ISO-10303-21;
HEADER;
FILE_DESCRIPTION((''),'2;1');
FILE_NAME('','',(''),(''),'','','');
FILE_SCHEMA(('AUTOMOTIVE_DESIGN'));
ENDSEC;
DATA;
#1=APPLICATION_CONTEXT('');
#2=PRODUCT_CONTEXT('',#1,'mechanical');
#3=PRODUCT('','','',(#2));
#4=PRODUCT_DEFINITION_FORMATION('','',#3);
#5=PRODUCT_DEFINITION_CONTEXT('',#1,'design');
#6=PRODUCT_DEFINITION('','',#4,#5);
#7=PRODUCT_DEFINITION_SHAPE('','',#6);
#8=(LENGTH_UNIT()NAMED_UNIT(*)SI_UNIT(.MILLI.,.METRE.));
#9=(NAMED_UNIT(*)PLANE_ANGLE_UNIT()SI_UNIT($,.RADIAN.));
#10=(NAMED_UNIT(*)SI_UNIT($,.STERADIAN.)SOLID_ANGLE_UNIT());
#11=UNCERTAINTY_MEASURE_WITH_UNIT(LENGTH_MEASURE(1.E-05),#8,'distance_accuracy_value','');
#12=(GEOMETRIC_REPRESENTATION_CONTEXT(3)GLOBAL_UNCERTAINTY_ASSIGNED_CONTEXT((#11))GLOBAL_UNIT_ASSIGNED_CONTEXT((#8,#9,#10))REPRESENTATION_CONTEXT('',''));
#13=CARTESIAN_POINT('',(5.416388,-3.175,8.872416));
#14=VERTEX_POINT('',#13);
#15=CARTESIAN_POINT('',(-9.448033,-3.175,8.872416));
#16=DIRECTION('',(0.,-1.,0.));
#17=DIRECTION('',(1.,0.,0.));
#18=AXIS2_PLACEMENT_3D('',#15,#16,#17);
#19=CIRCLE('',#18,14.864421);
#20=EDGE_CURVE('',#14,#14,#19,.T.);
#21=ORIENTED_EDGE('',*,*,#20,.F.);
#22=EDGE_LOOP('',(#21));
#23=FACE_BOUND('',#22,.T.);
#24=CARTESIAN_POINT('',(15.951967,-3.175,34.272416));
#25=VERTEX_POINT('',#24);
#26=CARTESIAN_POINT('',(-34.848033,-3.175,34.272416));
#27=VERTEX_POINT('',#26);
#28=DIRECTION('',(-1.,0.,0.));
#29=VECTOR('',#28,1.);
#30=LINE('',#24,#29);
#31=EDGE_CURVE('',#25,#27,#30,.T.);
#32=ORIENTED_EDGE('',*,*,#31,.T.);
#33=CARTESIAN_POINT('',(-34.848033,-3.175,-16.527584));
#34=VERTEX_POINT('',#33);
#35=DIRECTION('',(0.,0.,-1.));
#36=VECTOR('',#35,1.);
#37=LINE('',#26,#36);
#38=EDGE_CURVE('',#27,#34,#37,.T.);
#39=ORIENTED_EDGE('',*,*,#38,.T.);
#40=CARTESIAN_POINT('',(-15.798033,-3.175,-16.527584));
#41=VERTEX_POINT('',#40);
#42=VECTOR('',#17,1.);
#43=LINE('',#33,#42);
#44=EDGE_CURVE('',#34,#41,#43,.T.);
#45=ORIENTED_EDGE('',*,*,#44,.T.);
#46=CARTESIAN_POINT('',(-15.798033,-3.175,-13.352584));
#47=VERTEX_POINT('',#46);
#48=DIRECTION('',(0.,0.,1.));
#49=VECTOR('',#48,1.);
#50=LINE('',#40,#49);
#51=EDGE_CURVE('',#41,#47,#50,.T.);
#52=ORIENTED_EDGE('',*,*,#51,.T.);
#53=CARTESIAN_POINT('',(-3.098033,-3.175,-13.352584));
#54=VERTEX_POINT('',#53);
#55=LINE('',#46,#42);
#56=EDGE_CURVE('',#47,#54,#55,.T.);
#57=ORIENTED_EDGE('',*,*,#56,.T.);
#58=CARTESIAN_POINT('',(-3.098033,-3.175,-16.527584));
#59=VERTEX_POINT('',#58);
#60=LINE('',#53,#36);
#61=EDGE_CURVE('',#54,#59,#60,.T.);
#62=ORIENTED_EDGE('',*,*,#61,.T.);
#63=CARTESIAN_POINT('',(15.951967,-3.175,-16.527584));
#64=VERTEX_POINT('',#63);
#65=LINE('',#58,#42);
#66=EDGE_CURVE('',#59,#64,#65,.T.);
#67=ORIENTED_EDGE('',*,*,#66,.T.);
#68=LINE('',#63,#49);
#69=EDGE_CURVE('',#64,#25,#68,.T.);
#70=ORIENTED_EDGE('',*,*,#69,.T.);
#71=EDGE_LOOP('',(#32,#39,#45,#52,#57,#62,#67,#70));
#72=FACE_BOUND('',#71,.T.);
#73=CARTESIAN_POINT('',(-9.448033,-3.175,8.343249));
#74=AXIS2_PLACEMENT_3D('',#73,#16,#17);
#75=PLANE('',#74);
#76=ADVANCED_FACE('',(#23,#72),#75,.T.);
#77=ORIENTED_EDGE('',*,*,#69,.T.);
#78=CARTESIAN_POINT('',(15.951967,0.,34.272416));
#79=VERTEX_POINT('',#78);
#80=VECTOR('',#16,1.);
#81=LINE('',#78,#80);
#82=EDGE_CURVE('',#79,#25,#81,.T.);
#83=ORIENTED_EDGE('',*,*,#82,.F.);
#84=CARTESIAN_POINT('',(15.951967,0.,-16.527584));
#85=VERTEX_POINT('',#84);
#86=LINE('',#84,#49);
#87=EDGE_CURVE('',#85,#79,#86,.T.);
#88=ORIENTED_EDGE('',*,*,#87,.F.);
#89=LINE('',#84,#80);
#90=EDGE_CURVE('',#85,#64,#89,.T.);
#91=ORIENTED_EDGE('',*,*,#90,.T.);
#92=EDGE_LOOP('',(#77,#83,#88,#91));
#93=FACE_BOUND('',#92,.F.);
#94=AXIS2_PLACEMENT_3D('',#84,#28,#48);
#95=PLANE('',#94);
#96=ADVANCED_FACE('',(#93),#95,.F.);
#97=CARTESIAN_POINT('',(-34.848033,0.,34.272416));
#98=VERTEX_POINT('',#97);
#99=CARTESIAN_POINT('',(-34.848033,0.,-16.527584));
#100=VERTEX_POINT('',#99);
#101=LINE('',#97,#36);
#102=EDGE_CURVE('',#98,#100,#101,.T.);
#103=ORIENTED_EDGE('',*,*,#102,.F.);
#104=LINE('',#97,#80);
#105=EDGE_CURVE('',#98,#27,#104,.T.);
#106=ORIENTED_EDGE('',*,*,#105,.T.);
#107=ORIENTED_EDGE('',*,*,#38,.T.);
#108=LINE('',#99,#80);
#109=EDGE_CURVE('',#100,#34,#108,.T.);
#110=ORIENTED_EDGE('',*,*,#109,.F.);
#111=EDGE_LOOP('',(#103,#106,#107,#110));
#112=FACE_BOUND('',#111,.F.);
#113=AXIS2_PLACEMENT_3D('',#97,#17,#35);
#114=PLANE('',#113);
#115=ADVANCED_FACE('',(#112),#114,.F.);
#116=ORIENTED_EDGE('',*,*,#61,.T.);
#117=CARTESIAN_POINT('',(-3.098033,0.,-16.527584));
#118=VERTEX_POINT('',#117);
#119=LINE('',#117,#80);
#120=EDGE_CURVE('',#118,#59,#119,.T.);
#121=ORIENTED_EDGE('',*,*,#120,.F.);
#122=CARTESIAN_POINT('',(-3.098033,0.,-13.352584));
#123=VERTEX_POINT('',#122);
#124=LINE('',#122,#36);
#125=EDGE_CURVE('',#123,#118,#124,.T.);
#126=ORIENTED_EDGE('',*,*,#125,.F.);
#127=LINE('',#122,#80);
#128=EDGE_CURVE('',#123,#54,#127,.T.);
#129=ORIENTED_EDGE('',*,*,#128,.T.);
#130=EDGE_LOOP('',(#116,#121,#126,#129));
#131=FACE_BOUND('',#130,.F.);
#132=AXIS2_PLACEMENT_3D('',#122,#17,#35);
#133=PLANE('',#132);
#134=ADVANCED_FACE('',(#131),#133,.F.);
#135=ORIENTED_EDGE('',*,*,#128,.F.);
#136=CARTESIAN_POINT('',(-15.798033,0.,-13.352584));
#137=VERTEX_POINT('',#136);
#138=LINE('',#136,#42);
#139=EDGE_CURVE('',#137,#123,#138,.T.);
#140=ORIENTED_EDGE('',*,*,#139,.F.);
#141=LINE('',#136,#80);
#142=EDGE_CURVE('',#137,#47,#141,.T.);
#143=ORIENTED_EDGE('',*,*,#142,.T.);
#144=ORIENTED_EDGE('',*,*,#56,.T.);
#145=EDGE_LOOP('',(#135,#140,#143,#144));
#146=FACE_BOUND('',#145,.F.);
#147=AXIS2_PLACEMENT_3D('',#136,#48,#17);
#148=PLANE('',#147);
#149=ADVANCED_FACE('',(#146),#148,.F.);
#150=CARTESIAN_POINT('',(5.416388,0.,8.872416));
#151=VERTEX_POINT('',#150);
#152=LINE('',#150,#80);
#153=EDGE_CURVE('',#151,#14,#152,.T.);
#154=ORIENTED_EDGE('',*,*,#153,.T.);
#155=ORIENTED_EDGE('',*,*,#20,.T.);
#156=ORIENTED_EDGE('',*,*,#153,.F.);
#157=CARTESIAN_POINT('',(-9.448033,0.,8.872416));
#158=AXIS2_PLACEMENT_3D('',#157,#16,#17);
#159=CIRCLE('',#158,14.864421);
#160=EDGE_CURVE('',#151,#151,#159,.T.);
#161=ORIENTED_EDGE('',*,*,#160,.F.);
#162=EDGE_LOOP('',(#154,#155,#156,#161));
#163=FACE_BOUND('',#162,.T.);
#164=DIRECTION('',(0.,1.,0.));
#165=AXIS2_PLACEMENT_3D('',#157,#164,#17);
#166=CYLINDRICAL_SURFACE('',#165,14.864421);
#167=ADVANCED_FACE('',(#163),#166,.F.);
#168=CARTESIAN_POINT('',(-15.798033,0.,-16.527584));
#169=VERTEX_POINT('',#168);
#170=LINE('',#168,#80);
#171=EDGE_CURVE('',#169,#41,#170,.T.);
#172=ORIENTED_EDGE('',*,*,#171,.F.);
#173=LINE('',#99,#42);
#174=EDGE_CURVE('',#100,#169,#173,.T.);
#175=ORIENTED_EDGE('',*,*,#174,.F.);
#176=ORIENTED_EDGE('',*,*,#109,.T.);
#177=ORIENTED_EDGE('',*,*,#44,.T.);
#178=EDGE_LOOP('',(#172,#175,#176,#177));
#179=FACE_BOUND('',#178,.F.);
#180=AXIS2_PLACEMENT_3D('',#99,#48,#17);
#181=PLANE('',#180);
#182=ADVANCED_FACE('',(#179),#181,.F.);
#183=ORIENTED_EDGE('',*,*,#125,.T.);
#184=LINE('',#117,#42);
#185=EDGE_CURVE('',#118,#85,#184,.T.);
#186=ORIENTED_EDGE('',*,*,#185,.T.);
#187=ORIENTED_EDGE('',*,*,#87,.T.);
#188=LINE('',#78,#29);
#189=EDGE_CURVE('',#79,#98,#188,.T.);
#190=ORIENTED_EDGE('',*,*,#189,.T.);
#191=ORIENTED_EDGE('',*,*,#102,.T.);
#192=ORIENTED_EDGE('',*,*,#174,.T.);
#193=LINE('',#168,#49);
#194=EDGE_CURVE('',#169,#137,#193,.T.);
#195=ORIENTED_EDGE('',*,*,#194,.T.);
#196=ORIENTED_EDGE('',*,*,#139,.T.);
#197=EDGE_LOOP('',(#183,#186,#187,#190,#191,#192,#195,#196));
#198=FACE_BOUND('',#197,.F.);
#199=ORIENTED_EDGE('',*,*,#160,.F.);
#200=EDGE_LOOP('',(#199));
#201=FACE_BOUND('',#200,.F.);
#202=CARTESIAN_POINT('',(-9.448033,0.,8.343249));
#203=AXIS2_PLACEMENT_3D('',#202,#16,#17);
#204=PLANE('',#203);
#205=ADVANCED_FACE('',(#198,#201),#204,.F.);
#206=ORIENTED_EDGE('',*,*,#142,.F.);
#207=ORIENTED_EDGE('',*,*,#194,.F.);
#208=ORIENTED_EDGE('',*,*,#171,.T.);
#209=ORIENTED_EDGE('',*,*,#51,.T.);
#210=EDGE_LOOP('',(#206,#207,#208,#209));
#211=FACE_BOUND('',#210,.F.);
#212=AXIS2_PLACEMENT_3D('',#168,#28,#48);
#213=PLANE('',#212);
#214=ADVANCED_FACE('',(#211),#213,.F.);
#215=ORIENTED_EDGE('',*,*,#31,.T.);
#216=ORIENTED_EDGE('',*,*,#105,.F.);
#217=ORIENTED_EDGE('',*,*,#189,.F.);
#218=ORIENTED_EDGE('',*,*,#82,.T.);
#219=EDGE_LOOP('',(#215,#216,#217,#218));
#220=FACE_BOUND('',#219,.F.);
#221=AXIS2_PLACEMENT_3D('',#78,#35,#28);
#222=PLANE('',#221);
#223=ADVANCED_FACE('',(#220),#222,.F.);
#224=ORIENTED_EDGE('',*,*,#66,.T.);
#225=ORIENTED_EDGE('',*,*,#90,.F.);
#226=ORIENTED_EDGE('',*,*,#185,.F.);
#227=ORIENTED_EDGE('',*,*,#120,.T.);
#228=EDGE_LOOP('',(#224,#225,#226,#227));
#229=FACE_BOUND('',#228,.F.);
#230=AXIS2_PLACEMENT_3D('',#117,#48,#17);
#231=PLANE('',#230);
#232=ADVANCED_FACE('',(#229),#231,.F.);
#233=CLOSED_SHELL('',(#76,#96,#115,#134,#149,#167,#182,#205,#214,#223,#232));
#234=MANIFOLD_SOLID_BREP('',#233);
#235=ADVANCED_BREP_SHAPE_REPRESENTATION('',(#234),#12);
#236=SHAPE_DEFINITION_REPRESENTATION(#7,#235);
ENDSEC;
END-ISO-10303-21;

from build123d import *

# Parameters (mm, degrees)
F0_R     = 14.864421
F1_DEPTH = 3.175


with BuildPart() as f1:
    # F0 (on Front) → F1 (new body)
    with BuildSketch(Plane.XZ):
        Polygon((15.951967, 34.272416), (-34.848033, 34.272416), (-34.848033, -16.527584), (-15.798033, -16.527584), (-15.798033, -13.352584), (-3.098033, -13.352584), (-3.098033, -16.527584), (15.951967, -16.527584), align=None)
        with Locations((-9.448033, 8.872416)):
            Circle(F0_R, mode=Mode.SUBTRACT)
    extrude(amount=F1_DEPTH)


solid = f1.part
